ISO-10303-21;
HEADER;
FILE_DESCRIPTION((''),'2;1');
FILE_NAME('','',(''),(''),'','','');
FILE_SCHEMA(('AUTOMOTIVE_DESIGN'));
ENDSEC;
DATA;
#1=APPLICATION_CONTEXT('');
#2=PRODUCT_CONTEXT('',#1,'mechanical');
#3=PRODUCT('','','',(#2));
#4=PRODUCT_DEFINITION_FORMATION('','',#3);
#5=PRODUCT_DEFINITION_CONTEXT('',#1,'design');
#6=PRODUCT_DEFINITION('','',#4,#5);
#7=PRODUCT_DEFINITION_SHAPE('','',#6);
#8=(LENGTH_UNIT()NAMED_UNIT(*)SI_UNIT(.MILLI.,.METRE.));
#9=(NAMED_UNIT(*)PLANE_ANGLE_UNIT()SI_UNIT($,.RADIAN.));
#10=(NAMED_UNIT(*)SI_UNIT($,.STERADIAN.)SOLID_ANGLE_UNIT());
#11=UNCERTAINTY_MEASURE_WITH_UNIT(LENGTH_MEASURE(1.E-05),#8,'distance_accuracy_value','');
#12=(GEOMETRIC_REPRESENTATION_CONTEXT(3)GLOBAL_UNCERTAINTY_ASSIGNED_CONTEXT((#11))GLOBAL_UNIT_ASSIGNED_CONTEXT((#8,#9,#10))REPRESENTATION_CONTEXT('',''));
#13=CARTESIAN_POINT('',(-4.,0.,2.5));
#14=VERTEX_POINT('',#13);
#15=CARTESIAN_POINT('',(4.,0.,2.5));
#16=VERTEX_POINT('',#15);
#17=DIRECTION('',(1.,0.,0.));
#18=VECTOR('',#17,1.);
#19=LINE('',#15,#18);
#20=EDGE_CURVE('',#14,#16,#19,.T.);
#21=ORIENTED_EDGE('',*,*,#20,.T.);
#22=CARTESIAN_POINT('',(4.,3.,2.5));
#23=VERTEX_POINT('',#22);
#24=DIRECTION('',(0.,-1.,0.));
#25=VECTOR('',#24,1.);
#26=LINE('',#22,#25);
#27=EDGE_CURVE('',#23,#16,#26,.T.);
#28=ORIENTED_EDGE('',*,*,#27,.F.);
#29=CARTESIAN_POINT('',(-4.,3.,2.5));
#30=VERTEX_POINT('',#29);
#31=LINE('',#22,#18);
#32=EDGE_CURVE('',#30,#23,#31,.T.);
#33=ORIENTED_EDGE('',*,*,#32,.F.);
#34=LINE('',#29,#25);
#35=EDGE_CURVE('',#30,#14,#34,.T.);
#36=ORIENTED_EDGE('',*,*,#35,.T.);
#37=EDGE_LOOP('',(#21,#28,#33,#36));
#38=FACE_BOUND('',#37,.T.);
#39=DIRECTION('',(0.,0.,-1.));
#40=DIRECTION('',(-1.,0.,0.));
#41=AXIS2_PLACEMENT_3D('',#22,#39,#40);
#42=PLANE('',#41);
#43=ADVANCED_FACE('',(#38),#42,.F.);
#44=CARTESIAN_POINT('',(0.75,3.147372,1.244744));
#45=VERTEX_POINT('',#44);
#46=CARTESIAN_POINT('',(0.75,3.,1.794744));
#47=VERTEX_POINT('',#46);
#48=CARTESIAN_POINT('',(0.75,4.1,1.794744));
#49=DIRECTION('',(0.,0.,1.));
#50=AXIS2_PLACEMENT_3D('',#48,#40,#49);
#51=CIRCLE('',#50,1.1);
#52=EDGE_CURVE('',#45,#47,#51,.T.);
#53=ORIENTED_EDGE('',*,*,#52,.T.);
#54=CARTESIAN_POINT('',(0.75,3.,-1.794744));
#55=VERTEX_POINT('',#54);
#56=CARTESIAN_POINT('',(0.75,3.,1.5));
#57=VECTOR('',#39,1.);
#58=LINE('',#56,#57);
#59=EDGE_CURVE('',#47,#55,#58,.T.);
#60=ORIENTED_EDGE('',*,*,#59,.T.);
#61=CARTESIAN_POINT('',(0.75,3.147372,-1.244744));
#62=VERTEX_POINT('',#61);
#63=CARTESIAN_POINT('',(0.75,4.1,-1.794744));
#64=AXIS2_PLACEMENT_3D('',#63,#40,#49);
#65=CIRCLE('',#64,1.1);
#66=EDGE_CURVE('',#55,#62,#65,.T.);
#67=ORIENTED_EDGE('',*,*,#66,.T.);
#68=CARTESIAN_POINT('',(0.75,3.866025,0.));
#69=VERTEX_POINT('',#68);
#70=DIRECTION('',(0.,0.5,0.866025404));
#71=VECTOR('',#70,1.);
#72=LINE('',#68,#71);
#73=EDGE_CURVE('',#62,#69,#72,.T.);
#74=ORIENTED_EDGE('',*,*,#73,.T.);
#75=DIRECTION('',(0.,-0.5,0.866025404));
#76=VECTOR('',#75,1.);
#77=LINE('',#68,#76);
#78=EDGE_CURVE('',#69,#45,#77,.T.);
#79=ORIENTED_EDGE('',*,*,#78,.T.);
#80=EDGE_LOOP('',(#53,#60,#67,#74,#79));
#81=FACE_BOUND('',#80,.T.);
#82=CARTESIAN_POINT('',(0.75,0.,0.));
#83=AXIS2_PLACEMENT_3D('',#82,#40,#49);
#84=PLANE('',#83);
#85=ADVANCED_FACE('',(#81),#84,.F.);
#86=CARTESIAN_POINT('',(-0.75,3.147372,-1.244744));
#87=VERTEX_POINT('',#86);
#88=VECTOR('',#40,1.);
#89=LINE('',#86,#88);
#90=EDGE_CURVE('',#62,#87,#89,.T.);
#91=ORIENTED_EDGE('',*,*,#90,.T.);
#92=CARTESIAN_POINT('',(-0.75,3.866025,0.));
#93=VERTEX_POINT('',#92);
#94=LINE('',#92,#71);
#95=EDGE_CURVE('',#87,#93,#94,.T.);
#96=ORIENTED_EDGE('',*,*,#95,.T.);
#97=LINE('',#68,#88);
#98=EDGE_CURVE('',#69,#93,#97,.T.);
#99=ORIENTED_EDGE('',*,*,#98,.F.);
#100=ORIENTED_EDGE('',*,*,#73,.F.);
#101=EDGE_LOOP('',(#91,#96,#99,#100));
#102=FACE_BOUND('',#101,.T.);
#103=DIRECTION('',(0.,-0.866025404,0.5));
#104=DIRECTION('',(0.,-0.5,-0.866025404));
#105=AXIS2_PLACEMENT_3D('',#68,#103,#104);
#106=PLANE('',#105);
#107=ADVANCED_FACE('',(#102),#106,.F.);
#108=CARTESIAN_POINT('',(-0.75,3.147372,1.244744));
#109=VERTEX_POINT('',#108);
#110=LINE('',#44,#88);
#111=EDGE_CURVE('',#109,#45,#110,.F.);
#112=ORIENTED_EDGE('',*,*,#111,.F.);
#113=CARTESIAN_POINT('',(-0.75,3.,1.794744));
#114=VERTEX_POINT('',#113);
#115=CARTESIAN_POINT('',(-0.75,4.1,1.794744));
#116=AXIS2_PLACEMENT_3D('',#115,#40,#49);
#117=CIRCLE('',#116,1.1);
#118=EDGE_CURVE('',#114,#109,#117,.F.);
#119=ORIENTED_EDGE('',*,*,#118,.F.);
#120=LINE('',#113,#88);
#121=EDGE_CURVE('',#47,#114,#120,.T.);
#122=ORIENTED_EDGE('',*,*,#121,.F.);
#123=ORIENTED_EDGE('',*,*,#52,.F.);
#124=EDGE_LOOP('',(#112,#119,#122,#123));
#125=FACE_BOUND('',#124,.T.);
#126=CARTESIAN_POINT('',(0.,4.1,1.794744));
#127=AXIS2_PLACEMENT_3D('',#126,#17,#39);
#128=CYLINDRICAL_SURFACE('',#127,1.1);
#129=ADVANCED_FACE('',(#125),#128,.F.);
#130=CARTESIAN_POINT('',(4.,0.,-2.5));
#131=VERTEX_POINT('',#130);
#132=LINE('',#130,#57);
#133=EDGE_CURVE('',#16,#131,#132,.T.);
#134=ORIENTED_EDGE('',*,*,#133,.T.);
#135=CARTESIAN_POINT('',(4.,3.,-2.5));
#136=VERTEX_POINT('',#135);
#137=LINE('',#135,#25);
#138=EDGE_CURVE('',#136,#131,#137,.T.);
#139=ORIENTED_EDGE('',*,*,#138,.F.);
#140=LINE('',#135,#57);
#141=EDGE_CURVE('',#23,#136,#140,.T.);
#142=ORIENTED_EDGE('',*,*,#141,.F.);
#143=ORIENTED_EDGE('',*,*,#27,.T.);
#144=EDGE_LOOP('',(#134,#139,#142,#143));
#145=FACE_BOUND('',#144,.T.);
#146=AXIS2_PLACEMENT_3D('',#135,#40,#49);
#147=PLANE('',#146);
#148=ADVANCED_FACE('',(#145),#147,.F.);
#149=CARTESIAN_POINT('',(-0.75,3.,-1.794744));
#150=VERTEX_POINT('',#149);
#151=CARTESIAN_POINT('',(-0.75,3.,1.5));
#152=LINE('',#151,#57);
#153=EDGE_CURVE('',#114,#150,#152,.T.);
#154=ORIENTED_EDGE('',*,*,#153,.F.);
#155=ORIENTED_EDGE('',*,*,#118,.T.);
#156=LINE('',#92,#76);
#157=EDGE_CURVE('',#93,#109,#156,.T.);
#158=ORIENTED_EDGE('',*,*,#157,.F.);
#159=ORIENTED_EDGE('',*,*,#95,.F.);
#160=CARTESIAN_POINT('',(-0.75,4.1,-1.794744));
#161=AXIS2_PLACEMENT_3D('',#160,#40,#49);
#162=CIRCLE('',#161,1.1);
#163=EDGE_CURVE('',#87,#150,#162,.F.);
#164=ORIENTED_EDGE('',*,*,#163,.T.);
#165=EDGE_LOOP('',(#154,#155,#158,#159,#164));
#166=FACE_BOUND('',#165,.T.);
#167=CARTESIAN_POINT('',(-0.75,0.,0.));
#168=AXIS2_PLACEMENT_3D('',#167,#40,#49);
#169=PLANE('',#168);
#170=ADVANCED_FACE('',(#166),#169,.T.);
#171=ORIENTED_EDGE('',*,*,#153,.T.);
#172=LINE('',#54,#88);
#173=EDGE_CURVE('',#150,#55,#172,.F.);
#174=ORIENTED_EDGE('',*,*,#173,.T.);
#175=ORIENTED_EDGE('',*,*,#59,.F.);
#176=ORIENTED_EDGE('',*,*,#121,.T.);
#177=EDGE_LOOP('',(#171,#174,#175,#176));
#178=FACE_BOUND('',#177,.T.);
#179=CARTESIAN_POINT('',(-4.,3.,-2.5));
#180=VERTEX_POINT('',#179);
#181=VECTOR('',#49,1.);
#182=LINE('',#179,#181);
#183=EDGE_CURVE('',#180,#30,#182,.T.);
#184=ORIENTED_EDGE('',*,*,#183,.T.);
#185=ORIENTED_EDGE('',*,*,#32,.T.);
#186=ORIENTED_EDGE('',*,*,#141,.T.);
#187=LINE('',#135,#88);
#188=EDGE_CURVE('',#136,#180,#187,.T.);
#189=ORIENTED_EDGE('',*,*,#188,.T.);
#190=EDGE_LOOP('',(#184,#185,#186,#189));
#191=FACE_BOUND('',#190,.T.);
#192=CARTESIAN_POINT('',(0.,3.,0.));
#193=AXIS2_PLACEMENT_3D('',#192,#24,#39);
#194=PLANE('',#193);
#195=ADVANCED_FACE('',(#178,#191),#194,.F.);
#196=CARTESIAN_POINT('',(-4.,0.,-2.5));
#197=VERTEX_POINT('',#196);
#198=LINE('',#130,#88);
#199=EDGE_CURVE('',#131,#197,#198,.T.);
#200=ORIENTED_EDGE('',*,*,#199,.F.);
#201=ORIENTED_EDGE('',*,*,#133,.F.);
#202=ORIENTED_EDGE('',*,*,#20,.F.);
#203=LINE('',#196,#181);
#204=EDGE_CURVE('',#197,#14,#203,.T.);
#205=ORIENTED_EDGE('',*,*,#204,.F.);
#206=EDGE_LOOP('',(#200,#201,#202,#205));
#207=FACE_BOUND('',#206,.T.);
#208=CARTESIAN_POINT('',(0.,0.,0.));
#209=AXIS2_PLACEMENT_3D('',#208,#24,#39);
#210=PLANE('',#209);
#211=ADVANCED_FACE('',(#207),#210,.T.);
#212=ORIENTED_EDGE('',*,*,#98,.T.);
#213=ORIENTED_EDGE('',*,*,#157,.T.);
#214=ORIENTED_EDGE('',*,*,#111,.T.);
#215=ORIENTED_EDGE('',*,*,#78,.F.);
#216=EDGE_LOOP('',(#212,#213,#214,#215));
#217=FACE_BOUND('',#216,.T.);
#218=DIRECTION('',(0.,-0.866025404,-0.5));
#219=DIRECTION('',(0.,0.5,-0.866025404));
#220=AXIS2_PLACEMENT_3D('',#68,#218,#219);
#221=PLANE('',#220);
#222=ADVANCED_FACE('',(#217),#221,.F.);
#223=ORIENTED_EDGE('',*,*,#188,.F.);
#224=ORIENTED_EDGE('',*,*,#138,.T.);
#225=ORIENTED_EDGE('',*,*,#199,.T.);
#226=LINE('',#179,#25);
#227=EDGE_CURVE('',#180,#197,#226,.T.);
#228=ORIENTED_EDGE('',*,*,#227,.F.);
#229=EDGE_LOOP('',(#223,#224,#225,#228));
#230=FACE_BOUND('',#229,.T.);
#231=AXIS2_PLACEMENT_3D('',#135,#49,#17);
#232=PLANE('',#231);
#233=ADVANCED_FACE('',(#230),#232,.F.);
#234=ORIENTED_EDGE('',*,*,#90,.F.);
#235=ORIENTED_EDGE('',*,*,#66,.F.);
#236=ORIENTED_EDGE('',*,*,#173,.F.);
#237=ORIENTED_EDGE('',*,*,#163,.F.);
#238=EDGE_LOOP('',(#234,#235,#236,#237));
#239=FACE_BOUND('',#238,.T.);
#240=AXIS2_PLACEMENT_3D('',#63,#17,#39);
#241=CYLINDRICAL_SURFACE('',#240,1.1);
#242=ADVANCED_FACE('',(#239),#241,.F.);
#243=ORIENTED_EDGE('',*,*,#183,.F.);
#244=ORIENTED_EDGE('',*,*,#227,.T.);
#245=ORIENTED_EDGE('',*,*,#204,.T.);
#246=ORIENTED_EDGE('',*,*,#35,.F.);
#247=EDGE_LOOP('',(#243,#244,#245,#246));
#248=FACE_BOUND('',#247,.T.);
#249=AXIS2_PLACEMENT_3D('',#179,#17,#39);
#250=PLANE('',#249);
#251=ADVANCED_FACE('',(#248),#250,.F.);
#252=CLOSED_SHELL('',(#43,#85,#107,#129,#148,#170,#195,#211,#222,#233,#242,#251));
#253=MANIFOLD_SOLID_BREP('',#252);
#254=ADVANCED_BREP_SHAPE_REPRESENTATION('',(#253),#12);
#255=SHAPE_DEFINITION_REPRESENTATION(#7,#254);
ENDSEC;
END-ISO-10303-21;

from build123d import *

# Parameters (mm, degrees)
SKETCH_1_W      = 8
SKETCH_1_H      = 5
EXTRUDE_1_DEPTH = 3
EXTRUDE_2_DEPTH = 0.75
FILLET_1_R      = 1.1


with BuildPart() as part:
    # 草图1 → 凸台-拉伸1 (new body)
    with BuildSketch(Plane(origin=(0, 0, 0), x_dir=(1, 0, 0), z_dir=(0, 1, 0))):
        Rectangle(SKETCH_1_W, SKETCH_1_H)
    extrude(amount=EXTRUDE_1_DEPTH)

    # 草图2 → 凸台-拉伸2 (add, symmetric)
    with BuildSketch(Plane(origin=(0, 0, 0), x_dir=(0, 0, -1), z_dir=(1, 0, 0))):
        Polygon((0, 3.866025404), (-1.5, 3), (1.5, 3), align=None)
    extrude(amount=EXTRUDE_2_DEPTH, both=True)

    # 圆角1
    fillet_1_edges = [part.edges().sort_by_distance(p)[0] for p in [
        (0, 3, -1.5),
        (0, 3, 1.5),
    ]]
    fillet(fillet_1_edges, radius=FILLET_1_R)


solid = part.part
